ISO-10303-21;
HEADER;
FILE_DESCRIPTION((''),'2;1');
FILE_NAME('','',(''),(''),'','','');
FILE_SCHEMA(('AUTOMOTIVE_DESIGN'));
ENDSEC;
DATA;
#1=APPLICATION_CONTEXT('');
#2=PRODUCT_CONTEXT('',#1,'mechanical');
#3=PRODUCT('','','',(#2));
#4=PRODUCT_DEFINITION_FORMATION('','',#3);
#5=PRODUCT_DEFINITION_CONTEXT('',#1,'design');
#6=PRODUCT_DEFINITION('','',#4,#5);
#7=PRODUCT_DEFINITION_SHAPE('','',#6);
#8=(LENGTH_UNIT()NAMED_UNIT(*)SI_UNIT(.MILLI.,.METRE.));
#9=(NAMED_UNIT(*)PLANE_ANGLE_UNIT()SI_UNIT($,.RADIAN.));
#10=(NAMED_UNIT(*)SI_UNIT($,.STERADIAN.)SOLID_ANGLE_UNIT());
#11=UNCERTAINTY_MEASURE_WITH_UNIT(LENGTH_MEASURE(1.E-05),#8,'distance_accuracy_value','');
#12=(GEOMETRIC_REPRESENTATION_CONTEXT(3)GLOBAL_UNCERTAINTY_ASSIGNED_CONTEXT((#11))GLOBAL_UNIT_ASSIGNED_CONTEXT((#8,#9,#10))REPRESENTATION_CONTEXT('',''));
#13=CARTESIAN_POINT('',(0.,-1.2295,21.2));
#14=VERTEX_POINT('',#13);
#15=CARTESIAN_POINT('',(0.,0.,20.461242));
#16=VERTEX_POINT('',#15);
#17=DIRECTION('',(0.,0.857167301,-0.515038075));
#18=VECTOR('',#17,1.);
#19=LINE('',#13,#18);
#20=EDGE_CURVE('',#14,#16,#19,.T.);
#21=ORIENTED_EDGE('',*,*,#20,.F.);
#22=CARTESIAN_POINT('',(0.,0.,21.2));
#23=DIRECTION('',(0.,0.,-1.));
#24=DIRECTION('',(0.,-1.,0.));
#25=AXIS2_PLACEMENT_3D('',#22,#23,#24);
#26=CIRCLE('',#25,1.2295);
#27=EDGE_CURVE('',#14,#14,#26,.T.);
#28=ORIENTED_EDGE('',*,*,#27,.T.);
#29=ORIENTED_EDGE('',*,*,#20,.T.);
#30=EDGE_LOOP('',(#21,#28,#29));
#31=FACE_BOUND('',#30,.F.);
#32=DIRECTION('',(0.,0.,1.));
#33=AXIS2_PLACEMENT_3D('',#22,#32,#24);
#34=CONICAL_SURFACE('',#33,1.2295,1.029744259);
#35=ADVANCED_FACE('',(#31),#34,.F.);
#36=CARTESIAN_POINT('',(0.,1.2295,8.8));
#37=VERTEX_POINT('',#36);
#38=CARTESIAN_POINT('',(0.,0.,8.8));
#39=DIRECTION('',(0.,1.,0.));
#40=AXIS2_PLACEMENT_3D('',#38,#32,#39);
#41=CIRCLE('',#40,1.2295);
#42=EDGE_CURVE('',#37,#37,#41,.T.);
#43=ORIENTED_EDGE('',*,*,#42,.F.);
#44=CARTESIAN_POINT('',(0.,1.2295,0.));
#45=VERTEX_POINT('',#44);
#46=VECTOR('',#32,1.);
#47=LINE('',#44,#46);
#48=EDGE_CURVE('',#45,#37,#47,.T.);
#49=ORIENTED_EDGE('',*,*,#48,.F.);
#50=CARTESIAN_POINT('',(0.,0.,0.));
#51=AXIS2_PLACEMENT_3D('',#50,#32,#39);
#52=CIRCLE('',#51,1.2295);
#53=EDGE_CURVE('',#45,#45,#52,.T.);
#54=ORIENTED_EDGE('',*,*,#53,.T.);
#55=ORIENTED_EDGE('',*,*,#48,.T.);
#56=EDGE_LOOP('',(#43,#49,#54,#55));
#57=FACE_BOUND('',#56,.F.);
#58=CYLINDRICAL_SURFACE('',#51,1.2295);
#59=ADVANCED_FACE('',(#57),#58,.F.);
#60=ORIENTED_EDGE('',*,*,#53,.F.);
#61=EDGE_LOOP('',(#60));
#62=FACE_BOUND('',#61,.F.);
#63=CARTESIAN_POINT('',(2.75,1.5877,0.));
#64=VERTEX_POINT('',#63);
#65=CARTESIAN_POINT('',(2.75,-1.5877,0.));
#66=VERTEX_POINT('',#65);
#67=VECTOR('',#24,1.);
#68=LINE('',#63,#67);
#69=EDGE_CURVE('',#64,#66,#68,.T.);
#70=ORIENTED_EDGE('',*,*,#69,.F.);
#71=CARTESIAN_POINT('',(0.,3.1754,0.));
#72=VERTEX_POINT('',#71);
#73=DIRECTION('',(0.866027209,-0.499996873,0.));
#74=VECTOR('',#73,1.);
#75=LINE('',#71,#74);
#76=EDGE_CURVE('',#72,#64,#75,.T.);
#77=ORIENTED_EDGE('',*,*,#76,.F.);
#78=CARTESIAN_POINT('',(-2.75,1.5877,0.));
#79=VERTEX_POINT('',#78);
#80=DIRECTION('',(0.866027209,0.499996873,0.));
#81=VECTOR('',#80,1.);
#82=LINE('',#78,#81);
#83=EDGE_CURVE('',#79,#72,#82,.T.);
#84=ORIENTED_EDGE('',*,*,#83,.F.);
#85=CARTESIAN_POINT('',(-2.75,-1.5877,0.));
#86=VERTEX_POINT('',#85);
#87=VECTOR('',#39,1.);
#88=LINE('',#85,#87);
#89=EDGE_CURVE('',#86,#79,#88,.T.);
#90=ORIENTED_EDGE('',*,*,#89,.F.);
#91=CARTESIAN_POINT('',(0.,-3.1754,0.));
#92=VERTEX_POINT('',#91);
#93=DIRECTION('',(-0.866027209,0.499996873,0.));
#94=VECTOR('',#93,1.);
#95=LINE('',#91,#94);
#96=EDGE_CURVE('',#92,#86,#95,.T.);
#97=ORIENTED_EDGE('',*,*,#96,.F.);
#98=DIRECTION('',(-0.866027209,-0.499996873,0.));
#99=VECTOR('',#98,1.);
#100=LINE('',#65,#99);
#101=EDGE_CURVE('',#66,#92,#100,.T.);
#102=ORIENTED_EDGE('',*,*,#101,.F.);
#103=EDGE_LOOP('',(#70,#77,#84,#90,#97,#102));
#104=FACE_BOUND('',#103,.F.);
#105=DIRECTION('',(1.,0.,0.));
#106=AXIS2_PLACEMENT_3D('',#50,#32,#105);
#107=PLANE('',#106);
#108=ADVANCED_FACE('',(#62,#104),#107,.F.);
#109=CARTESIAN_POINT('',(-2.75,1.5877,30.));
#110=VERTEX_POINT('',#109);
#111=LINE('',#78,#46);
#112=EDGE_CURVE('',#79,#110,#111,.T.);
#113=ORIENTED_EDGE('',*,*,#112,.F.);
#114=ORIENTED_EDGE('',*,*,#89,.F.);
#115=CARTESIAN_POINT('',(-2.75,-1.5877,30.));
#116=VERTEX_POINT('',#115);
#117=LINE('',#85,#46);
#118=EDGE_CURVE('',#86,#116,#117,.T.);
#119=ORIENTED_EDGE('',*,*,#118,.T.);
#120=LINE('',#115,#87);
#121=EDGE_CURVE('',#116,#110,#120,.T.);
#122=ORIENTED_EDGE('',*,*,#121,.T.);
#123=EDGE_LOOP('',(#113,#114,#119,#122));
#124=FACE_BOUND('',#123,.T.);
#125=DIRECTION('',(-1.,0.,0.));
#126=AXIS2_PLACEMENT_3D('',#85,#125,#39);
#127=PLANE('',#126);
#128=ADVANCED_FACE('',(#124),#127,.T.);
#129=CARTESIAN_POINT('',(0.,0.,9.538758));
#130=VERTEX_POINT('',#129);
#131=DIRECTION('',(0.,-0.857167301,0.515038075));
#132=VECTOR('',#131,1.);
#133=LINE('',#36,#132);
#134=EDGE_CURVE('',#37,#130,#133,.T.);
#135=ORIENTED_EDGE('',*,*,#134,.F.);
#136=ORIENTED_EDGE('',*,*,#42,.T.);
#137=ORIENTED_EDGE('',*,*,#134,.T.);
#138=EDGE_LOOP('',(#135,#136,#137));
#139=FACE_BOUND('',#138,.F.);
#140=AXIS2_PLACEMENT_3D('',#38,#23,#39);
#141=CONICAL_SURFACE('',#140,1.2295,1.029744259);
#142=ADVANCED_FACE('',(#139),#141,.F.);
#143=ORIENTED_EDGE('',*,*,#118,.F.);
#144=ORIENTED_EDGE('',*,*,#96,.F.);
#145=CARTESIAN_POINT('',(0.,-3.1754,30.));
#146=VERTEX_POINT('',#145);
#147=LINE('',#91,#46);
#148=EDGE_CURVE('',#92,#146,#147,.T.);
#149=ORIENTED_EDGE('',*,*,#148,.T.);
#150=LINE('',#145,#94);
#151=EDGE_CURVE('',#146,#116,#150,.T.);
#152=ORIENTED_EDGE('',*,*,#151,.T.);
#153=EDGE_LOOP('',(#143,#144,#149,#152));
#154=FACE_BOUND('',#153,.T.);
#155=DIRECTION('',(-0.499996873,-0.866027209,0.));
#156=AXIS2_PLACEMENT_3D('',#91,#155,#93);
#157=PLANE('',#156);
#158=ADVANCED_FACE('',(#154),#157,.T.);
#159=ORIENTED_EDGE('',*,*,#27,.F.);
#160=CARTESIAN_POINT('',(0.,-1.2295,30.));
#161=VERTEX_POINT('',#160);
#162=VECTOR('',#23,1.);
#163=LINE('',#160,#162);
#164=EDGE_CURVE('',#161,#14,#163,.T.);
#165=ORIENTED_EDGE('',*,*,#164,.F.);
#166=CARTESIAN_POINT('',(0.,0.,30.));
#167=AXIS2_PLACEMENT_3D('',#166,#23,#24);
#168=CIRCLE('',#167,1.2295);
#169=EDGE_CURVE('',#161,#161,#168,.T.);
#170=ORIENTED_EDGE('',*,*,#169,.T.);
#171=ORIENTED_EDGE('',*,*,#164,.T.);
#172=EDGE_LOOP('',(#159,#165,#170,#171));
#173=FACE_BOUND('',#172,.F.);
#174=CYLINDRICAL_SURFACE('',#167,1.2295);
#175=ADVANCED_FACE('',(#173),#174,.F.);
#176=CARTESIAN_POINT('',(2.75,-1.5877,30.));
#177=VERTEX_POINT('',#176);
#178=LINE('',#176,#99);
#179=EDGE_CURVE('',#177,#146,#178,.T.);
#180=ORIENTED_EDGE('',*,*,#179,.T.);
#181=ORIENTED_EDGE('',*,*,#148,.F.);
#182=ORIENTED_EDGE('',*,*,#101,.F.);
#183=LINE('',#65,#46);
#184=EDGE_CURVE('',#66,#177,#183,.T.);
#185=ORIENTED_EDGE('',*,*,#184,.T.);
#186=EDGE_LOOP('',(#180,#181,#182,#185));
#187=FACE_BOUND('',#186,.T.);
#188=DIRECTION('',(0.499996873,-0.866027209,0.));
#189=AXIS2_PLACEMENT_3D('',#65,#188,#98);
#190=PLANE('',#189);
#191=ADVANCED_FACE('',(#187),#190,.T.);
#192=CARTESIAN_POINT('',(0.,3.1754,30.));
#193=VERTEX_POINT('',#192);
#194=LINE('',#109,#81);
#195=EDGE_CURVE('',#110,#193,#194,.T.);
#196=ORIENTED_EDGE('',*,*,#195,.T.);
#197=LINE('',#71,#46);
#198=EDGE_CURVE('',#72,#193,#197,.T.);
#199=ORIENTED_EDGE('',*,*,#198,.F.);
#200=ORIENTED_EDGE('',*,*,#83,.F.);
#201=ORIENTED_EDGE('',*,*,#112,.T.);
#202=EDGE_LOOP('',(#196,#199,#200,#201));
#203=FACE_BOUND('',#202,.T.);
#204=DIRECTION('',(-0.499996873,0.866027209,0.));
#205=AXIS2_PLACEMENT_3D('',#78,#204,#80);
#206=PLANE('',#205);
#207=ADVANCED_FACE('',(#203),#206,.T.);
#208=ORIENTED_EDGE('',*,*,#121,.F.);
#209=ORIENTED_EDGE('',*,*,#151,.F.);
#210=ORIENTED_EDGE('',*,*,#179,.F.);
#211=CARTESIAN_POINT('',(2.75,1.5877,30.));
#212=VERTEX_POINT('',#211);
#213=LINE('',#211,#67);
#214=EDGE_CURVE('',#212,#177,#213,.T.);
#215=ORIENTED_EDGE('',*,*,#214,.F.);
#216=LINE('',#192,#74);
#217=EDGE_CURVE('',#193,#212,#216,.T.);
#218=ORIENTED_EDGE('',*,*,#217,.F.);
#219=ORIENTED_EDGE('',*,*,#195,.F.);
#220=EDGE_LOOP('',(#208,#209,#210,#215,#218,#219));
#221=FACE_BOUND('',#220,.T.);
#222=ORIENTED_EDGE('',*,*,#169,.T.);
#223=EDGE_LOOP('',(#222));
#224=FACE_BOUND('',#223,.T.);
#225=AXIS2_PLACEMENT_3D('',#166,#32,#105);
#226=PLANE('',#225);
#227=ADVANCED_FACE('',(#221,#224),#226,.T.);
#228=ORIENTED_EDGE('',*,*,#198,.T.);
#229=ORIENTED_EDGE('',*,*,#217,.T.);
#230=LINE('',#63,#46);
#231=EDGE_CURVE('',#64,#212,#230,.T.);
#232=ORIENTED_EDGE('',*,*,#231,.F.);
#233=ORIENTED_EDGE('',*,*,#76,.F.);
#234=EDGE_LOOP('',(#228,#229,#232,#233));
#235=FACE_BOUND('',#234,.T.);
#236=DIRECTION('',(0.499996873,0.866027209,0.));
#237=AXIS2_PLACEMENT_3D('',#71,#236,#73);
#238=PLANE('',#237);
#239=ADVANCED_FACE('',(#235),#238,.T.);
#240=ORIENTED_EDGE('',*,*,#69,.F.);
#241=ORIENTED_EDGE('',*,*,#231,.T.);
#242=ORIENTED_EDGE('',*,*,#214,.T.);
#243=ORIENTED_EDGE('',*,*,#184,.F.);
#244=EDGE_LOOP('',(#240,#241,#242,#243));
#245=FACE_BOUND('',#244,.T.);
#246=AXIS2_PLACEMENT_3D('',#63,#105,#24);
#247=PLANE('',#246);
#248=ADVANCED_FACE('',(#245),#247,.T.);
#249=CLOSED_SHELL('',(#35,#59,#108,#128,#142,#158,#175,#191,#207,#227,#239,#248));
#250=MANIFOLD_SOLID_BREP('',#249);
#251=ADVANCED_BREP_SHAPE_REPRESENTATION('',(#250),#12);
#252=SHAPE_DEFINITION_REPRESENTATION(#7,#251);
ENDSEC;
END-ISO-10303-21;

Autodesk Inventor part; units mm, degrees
ref_plane "YZ Plane" through (0, 0, 0) normal (1, 0, 0) x (0, 1, 0)
ref_plane "XZ Plane" through (0, 0, 0) normal (0, 1, 0) x (-1, 0, 0)
ref_plane "XY Plane" through (0, 0, 0) normal (0, 0, 1) x (1, 0, 0)
sketch "スケッチ1" plane through (0, 0, 0) normal (0, 0, 1) x (1, 0, 0)
  line L0 (0, 3.1754) -> (2.75, 1.5877)
  line L1 (2.75, 1.5877) -> (2.75, -1.5877)
  line L2 (2.75, -1.5877) -> (0, -3.1754)
  line L3 (0, -3.1754) -> (-2.75, -1.5877)
  line L4 (-2.75, -1.5877) -> (-2.75, 1.5877)
  line L5 (-2.75, 1.5877) -> (0, 3.1754)
  point P0 (0, 0)
  point P1 (0, 0)
  dimension "d0" = 5.5
extrude "押し出し1" add sketch "スケッチ1" along normal blind 30
sketch "スケッチ2" plane through (0, 0, 30) normal (0, 0, 1) x (1, 0, 0)
  line L0 (2.75, 1.5877) -> (0, 3.1754) projected
  line L1 (0, 3.1754) -> (-2.75, 1.5877) projected
  line L2 (-2.75, 1.5877) -> (-2.75, -1.5877) projected
  line L3 (-2.75, -1.5877) -> (0, -3.1754) projected
  line L4 (0, -3.1754) -> (2.75, -1.5877) projected
  line L5 (2.75, -1.5877) -> (2.75, 1.5877) projected
  point P0 (0, 0)
hole "穴1" at (0, 0, 30) direction (0, 0, -1) diameter 2.459 depth 8.8 tip angle 118 thread size "M3x0.5" class "6H" standard "ISO Metric profile"
sketch "スケッチ3" plane through (0, 0, 0) normal (0, 0, -1) x (-1, 0, 0)
  line L0 (0, 3.1754) -> (-2.75, 1.5877) projected
  line L1 (-2.75, 1.5877) -> (-2.75, -1.5877) projected
  line L2 (-2.75, -1.5877) -> (0, -3.1754) projected
  line L3 (0, -3.1754) -> (2.75, -1.5877) projected
  line L4 (2.75, -1.5877) -> (2.75, 1.5877) projected
  line L5 (2.75, 1.5877) -> (0, 3.1754) projected
  point P0 (0, 0)
hole "穴2" at (0, 0, 0) direction (0, 0, 1) diameter 2.459 depth 8.8 tip angle 118 thread size "M3x0.5" class "6H" standard "ISO Metric profile"
properties part number "黄銅スペーサー（六角）_ASB-330E" material "真鍮、ソフト イエロー"
